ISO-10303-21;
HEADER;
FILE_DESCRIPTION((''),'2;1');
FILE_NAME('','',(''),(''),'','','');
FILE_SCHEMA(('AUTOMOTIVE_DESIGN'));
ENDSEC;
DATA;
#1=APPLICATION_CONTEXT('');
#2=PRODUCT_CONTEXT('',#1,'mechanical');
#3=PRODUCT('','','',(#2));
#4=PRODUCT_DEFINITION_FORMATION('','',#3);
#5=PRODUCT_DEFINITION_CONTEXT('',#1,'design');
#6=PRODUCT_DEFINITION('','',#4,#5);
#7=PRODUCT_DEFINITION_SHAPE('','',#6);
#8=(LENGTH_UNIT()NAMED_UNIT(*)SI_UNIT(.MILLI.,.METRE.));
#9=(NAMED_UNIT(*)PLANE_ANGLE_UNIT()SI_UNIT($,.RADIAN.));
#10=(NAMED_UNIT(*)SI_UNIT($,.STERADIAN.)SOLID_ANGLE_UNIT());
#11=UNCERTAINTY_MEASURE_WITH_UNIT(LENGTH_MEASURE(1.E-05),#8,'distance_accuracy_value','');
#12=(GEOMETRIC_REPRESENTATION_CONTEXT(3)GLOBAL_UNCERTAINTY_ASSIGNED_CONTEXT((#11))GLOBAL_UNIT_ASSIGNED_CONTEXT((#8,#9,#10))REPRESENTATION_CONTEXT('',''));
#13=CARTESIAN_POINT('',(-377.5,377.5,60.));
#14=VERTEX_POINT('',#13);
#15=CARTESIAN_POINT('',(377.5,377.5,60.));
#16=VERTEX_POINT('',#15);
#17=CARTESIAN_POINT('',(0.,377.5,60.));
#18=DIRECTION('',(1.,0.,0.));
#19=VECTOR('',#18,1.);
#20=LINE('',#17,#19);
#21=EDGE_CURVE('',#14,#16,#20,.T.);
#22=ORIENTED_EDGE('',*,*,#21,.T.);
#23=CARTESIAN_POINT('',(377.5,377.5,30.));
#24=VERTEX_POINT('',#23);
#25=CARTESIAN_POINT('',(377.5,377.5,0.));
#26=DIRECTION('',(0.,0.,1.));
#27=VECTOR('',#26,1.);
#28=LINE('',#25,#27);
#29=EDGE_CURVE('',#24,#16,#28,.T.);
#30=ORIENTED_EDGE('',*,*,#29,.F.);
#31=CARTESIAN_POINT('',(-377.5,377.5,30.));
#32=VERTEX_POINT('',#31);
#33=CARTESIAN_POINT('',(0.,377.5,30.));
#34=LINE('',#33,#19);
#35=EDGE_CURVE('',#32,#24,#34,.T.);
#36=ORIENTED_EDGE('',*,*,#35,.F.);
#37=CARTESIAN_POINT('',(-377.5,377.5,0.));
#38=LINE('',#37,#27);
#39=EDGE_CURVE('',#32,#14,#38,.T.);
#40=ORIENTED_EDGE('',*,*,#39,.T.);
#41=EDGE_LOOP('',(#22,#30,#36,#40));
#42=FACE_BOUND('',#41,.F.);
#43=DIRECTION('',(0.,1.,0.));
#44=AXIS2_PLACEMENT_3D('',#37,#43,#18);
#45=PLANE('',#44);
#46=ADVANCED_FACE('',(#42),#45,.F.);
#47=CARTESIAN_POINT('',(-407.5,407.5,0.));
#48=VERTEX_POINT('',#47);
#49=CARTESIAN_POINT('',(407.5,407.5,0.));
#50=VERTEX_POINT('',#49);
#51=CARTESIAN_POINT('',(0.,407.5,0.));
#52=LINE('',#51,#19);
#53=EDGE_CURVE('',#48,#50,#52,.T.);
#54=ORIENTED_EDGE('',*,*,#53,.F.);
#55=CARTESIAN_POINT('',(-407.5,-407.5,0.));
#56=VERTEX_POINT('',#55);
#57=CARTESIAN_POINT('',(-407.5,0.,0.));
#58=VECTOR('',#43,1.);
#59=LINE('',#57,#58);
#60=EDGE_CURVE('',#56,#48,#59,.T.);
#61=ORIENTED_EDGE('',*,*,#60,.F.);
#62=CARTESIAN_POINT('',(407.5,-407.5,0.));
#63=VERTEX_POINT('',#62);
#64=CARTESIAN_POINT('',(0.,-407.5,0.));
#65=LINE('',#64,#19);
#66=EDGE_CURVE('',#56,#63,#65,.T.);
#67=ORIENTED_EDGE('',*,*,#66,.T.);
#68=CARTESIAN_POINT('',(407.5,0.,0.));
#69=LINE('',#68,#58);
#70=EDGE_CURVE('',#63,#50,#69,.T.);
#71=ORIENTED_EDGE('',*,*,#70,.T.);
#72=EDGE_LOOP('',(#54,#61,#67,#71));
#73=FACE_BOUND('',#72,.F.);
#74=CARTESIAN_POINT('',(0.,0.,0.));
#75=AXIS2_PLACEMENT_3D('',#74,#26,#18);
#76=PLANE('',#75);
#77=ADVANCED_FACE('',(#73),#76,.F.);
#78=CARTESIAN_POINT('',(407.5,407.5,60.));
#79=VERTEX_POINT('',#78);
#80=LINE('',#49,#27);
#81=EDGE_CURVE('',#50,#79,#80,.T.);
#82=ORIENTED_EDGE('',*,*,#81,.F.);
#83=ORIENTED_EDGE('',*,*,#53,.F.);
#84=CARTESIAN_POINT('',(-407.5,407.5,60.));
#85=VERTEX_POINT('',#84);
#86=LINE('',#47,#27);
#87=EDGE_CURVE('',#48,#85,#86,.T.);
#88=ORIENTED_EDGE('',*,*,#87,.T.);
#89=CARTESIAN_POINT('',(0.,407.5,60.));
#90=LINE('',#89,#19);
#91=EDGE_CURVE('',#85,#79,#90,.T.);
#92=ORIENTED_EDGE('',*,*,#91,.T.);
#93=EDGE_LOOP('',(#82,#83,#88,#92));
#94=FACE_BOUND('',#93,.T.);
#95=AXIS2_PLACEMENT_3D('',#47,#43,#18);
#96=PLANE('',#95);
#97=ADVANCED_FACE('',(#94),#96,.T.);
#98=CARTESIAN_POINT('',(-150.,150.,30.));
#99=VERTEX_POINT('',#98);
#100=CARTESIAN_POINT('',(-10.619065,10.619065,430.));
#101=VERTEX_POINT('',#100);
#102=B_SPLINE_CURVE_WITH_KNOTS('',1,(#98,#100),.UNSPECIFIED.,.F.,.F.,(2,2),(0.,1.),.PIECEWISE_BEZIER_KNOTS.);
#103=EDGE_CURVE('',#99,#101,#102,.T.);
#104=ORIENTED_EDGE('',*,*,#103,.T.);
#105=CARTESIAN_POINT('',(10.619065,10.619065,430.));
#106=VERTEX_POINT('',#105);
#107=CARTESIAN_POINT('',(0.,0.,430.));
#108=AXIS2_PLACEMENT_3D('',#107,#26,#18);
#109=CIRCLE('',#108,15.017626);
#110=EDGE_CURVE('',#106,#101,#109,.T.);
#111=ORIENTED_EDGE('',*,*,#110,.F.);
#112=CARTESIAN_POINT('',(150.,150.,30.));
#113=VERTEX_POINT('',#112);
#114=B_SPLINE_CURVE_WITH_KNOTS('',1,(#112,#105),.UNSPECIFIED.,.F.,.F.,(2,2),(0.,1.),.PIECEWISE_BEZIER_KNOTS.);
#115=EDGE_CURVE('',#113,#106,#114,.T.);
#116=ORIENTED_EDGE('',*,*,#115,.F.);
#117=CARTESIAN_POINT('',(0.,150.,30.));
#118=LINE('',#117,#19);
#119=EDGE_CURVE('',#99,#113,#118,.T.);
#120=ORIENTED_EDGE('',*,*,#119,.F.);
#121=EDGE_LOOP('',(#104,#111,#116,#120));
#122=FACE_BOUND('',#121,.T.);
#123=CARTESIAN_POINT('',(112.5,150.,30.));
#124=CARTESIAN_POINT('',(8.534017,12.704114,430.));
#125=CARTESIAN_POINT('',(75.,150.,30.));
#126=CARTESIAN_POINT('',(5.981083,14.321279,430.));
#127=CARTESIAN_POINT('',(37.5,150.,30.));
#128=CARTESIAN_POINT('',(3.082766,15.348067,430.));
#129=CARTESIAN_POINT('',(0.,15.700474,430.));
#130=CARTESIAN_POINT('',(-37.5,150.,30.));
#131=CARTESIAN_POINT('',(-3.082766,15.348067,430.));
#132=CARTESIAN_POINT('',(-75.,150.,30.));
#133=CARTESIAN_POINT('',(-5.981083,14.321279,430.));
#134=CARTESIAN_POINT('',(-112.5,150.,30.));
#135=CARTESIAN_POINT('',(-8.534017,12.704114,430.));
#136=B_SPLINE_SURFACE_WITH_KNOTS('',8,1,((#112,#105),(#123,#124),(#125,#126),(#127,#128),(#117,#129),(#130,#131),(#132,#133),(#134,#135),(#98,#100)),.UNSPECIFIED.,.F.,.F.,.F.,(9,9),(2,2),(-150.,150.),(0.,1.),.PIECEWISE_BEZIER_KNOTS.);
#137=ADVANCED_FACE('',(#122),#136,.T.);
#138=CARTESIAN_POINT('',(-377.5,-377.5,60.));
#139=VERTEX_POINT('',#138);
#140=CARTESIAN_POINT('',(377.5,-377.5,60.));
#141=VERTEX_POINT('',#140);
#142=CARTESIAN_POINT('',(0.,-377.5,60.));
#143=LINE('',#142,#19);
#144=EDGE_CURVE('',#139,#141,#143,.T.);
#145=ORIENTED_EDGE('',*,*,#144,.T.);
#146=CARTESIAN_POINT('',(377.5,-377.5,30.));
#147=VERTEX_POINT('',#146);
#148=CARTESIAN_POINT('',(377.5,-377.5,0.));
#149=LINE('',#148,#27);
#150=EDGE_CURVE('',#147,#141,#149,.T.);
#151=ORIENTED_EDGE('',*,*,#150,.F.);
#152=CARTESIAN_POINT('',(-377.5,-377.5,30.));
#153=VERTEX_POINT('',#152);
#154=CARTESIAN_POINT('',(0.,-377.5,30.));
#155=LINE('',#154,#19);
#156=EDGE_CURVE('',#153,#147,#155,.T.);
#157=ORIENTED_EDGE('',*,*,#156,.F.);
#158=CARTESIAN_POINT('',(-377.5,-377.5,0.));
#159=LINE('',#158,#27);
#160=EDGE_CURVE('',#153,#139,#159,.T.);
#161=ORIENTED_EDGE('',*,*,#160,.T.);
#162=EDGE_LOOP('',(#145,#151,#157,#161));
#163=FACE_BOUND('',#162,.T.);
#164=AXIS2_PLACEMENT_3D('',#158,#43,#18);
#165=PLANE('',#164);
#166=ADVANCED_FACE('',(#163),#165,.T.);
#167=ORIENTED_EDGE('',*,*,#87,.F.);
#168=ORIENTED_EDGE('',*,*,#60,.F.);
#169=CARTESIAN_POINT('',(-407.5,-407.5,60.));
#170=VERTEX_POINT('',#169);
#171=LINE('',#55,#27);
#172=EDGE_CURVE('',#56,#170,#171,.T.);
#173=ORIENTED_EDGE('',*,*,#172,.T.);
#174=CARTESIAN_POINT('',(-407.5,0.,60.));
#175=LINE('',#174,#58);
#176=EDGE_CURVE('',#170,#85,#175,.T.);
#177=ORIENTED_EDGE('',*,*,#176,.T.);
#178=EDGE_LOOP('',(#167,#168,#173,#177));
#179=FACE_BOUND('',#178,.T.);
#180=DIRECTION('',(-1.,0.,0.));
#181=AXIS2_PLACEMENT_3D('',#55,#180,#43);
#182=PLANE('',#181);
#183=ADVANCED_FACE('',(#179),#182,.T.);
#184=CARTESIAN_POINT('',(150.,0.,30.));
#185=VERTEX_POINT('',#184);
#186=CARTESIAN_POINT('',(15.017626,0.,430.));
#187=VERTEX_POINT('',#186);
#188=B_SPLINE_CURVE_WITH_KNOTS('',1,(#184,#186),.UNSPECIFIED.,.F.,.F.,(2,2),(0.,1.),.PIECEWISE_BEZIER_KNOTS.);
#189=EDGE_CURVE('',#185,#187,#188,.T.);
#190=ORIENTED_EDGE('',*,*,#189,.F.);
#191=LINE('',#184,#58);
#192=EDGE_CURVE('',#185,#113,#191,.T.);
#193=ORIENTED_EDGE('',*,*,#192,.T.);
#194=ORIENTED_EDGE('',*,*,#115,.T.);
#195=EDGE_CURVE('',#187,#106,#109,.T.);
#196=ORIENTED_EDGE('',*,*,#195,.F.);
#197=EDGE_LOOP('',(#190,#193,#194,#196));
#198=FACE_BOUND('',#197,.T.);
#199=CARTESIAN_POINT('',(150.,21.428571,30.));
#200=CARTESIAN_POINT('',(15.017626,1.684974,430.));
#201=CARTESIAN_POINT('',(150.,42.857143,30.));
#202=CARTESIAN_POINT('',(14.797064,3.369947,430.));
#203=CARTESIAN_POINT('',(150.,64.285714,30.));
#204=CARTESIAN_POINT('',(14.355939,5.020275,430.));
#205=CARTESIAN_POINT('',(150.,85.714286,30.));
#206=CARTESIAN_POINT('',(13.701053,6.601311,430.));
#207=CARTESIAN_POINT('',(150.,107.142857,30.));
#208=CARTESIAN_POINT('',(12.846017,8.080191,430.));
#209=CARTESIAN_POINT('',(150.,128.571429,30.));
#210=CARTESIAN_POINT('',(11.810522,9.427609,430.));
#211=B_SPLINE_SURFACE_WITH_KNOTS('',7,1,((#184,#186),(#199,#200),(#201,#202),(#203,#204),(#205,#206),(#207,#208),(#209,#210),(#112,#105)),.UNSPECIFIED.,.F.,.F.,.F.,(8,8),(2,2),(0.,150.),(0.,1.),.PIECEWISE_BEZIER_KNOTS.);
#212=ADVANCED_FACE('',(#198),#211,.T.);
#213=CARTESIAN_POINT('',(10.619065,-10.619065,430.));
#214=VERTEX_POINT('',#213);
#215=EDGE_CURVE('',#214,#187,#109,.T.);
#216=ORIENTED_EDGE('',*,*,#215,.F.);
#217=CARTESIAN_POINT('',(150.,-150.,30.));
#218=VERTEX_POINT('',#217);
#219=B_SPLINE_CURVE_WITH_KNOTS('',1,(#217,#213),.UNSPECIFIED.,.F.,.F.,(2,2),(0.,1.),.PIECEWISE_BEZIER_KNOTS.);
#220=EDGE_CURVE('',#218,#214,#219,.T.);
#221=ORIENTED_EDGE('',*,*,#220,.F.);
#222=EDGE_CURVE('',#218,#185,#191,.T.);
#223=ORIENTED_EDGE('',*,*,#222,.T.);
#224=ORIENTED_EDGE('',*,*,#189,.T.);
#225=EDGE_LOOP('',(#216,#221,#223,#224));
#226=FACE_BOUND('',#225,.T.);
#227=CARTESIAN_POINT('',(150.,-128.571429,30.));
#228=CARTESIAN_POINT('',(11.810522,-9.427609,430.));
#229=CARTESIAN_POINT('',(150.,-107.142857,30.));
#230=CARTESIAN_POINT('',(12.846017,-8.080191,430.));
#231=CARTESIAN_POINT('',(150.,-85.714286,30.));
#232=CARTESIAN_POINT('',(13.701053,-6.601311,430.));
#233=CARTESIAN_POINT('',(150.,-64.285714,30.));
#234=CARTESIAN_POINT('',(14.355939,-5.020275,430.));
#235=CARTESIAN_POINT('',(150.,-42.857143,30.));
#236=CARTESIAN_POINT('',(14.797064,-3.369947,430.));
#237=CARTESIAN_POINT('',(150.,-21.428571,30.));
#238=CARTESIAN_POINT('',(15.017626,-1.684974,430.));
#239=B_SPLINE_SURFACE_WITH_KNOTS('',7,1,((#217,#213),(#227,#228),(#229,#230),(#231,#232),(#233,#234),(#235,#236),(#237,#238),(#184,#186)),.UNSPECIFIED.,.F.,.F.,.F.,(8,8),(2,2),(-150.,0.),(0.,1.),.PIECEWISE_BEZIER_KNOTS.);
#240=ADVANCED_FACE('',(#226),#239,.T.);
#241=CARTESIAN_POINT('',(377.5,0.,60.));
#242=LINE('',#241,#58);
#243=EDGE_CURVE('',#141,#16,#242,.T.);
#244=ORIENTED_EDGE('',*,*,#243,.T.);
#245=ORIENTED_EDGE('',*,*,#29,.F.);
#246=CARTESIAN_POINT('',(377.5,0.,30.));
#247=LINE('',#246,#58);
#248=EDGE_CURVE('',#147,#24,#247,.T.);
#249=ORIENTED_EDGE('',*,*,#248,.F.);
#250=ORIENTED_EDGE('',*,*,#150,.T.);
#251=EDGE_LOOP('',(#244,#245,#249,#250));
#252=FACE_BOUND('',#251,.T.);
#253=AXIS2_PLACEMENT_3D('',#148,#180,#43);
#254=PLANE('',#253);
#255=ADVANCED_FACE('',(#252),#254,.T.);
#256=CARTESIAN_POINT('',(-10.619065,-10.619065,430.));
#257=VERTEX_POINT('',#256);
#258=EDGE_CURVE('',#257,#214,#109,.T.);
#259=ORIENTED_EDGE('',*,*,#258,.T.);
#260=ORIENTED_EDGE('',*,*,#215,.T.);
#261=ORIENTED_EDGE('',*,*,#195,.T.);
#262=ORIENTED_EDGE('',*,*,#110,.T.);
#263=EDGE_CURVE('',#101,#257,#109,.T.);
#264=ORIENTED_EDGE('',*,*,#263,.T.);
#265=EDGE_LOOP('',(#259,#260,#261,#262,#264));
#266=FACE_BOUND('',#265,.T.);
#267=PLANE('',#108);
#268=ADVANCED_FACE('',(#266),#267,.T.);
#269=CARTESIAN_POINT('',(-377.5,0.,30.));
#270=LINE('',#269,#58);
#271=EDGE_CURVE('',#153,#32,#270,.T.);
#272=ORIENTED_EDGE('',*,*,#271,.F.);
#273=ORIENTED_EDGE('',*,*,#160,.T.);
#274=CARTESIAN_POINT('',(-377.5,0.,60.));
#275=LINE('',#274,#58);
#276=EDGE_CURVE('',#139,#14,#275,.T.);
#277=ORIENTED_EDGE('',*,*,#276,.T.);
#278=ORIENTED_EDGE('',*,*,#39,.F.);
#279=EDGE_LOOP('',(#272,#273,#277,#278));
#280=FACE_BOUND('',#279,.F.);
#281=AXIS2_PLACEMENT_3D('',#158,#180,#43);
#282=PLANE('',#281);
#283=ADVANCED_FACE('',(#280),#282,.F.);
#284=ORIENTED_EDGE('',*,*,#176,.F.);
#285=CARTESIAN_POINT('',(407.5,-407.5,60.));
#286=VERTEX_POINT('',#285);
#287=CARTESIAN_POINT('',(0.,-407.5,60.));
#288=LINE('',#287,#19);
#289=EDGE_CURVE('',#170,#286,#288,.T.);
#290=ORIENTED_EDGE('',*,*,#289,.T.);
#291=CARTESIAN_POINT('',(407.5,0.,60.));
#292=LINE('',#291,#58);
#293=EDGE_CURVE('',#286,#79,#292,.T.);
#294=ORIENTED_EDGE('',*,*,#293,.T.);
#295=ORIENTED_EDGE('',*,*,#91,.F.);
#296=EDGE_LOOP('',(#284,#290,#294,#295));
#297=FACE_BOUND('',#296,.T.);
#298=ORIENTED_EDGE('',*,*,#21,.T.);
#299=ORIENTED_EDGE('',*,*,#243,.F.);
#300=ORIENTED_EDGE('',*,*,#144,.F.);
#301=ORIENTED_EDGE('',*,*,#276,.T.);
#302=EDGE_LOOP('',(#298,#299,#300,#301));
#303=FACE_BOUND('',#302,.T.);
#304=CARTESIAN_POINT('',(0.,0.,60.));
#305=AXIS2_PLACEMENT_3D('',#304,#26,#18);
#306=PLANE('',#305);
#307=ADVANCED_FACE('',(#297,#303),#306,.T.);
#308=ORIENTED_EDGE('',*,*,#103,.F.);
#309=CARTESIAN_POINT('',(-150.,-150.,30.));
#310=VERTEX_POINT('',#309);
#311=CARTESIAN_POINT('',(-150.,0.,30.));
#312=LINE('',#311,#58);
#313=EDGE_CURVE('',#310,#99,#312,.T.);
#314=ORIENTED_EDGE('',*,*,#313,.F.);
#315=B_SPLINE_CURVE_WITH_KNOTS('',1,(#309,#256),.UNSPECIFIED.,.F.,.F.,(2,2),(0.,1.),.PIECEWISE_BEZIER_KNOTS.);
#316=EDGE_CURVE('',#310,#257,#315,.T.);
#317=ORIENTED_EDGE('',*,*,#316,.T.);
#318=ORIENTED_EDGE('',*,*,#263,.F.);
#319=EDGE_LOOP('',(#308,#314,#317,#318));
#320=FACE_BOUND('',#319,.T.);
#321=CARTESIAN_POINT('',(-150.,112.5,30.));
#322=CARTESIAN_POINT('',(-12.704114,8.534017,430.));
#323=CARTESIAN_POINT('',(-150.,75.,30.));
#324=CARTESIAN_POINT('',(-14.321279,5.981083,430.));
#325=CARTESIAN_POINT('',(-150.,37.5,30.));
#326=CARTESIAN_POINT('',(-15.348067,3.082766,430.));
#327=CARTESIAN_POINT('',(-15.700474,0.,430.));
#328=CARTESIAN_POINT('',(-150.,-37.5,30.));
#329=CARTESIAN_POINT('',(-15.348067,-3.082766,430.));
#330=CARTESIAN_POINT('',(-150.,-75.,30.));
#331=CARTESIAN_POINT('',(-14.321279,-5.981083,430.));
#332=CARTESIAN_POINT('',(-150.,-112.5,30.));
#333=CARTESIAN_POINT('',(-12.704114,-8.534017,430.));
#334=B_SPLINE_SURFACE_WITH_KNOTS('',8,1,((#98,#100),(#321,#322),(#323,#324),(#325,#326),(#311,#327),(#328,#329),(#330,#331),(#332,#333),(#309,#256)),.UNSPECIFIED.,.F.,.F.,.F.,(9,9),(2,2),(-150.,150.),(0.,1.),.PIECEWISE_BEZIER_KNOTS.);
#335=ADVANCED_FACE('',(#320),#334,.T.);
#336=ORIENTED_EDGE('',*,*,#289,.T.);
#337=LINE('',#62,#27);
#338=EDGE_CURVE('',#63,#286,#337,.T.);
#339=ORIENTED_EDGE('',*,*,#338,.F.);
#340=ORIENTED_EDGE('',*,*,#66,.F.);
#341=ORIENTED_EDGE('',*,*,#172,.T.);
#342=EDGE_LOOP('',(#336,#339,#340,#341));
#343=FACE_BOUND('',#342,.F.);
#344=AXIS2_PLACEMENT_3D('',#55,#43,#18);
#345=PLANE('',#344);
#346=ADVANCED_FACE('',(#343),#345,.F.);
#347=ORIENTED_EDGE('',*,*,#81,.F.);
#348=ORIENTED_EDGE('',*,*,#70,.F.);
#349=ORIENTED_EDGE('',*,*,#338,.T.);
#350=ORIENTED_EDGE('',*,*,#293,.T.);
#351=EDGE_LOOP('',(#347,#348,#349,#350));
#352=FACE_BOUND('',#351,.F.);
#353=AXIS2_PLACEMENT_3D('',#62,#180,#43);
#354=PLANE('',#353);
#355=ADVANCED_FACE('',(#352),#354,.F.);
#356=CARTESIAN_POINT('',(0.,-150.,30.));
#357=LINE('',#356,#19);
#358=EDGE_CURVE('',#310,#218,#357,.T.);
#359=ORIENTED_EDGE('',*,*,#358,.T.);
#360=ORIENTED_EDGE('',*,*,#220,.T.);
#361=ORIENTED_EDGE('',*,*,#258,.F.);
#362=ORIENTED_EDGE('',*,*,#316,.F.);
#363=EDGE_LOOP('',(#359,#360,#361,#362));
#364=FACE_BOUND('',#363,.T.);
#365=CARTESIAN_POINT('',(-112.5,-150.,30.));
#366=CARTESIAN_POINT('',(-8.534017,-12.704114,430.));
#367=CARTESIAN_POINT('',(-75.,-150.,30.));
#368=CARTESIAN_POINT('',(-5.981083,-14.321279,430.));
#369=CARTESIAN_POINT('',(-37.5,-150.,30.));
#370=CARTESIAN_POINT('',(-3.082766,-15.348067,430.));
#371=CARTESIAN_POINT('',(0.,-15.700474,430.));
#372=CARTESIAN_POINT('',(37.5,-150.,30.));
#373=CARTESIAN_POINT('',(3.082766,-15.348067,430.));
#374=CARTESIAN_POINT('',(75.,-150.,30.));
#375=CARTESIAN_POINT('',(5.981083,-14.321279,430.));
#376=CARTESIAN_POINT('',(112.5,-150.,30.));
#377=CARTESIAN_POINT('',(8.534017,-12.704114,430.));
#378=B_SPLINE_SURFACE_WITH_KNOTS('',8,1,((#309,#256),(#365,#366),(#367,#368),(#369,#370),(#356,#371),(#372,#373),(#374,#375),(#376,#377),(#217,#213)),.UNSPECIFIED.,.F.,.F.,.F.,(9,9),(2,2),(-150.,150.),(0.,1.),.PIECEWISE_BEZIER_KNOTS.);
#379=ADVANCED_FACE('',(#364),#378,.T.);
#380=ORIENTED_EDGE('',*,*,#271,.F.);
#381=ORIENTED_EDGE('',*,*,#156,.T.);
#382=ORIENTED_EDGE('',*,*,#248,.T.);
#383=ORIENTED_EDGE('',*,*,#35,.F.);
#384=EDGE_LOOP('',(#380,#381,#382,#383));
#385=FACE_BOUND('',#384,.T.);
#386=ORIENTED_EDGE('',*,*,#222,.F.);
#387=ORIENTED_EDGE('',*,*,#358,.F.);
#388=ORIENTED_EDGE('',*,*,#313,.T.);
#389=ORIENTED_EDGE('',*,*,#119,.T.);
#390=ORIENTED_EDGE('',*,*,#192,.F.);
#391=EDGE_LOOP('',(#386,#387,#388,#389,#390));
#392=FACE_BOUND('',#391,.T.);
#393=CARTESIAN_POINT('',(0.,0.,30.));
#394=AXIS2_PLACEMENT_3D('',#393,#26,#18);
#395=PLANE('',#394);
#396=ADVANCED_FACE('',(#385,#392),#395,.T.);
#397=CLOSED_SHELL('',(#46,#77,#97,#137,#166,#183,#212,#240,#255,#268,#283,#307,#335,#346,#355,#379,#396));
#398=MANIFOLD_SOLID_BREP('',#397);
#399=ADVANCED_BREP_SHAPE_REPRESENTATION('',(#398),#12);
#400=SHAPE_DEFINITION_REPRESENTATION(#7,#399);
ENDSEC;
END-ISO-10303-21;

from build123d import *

# Parameters (mm, degrees)
F0_W     = 755
F0_H     = 755
F0_W_2   = 300
F0_H_2   = 300
F1_DEPTH = 30
F0_W_3   = 815
F0_H_3   = 815
F2_DEPTH = 60
F4_W     = 300
F4_H     = 300
F5_R     = 15.0176261861


with BuildPart() as f1:
    # F0 (on Top) → F1 (new body)
    with BuildSketch(Plane.XY):
        Rectangle(F0_W, F0_H)
        Rectangle(F0_W_2, F0_H_2, mode=Mode.SUBTRACT)
        Rectangle(F0_W_2, F0_H_2)
    extrude(amount=F1_DEPTH)

    # F0 (on Top) → F2 (join)
    with BuildSketch(Plane.XY):
        Rectangle(F0_W_3, F0_H_3)
        Rectangle(F0_W, F0_H, mode=Mode.SUBTRACT)
    extrude(amount=F2_DEPTH)

    # F4 (on face) → F6 section 0
    with BuildSketch(Plane.XY.offset(30)):
        Rectangle(F4_W, F4_H)
    # F5 (on offset) → F6 section 1
    with BuildSketch(Plane.XY.offset(430)):
        Circle(F5_R)
    loft()


solid = f1.part
